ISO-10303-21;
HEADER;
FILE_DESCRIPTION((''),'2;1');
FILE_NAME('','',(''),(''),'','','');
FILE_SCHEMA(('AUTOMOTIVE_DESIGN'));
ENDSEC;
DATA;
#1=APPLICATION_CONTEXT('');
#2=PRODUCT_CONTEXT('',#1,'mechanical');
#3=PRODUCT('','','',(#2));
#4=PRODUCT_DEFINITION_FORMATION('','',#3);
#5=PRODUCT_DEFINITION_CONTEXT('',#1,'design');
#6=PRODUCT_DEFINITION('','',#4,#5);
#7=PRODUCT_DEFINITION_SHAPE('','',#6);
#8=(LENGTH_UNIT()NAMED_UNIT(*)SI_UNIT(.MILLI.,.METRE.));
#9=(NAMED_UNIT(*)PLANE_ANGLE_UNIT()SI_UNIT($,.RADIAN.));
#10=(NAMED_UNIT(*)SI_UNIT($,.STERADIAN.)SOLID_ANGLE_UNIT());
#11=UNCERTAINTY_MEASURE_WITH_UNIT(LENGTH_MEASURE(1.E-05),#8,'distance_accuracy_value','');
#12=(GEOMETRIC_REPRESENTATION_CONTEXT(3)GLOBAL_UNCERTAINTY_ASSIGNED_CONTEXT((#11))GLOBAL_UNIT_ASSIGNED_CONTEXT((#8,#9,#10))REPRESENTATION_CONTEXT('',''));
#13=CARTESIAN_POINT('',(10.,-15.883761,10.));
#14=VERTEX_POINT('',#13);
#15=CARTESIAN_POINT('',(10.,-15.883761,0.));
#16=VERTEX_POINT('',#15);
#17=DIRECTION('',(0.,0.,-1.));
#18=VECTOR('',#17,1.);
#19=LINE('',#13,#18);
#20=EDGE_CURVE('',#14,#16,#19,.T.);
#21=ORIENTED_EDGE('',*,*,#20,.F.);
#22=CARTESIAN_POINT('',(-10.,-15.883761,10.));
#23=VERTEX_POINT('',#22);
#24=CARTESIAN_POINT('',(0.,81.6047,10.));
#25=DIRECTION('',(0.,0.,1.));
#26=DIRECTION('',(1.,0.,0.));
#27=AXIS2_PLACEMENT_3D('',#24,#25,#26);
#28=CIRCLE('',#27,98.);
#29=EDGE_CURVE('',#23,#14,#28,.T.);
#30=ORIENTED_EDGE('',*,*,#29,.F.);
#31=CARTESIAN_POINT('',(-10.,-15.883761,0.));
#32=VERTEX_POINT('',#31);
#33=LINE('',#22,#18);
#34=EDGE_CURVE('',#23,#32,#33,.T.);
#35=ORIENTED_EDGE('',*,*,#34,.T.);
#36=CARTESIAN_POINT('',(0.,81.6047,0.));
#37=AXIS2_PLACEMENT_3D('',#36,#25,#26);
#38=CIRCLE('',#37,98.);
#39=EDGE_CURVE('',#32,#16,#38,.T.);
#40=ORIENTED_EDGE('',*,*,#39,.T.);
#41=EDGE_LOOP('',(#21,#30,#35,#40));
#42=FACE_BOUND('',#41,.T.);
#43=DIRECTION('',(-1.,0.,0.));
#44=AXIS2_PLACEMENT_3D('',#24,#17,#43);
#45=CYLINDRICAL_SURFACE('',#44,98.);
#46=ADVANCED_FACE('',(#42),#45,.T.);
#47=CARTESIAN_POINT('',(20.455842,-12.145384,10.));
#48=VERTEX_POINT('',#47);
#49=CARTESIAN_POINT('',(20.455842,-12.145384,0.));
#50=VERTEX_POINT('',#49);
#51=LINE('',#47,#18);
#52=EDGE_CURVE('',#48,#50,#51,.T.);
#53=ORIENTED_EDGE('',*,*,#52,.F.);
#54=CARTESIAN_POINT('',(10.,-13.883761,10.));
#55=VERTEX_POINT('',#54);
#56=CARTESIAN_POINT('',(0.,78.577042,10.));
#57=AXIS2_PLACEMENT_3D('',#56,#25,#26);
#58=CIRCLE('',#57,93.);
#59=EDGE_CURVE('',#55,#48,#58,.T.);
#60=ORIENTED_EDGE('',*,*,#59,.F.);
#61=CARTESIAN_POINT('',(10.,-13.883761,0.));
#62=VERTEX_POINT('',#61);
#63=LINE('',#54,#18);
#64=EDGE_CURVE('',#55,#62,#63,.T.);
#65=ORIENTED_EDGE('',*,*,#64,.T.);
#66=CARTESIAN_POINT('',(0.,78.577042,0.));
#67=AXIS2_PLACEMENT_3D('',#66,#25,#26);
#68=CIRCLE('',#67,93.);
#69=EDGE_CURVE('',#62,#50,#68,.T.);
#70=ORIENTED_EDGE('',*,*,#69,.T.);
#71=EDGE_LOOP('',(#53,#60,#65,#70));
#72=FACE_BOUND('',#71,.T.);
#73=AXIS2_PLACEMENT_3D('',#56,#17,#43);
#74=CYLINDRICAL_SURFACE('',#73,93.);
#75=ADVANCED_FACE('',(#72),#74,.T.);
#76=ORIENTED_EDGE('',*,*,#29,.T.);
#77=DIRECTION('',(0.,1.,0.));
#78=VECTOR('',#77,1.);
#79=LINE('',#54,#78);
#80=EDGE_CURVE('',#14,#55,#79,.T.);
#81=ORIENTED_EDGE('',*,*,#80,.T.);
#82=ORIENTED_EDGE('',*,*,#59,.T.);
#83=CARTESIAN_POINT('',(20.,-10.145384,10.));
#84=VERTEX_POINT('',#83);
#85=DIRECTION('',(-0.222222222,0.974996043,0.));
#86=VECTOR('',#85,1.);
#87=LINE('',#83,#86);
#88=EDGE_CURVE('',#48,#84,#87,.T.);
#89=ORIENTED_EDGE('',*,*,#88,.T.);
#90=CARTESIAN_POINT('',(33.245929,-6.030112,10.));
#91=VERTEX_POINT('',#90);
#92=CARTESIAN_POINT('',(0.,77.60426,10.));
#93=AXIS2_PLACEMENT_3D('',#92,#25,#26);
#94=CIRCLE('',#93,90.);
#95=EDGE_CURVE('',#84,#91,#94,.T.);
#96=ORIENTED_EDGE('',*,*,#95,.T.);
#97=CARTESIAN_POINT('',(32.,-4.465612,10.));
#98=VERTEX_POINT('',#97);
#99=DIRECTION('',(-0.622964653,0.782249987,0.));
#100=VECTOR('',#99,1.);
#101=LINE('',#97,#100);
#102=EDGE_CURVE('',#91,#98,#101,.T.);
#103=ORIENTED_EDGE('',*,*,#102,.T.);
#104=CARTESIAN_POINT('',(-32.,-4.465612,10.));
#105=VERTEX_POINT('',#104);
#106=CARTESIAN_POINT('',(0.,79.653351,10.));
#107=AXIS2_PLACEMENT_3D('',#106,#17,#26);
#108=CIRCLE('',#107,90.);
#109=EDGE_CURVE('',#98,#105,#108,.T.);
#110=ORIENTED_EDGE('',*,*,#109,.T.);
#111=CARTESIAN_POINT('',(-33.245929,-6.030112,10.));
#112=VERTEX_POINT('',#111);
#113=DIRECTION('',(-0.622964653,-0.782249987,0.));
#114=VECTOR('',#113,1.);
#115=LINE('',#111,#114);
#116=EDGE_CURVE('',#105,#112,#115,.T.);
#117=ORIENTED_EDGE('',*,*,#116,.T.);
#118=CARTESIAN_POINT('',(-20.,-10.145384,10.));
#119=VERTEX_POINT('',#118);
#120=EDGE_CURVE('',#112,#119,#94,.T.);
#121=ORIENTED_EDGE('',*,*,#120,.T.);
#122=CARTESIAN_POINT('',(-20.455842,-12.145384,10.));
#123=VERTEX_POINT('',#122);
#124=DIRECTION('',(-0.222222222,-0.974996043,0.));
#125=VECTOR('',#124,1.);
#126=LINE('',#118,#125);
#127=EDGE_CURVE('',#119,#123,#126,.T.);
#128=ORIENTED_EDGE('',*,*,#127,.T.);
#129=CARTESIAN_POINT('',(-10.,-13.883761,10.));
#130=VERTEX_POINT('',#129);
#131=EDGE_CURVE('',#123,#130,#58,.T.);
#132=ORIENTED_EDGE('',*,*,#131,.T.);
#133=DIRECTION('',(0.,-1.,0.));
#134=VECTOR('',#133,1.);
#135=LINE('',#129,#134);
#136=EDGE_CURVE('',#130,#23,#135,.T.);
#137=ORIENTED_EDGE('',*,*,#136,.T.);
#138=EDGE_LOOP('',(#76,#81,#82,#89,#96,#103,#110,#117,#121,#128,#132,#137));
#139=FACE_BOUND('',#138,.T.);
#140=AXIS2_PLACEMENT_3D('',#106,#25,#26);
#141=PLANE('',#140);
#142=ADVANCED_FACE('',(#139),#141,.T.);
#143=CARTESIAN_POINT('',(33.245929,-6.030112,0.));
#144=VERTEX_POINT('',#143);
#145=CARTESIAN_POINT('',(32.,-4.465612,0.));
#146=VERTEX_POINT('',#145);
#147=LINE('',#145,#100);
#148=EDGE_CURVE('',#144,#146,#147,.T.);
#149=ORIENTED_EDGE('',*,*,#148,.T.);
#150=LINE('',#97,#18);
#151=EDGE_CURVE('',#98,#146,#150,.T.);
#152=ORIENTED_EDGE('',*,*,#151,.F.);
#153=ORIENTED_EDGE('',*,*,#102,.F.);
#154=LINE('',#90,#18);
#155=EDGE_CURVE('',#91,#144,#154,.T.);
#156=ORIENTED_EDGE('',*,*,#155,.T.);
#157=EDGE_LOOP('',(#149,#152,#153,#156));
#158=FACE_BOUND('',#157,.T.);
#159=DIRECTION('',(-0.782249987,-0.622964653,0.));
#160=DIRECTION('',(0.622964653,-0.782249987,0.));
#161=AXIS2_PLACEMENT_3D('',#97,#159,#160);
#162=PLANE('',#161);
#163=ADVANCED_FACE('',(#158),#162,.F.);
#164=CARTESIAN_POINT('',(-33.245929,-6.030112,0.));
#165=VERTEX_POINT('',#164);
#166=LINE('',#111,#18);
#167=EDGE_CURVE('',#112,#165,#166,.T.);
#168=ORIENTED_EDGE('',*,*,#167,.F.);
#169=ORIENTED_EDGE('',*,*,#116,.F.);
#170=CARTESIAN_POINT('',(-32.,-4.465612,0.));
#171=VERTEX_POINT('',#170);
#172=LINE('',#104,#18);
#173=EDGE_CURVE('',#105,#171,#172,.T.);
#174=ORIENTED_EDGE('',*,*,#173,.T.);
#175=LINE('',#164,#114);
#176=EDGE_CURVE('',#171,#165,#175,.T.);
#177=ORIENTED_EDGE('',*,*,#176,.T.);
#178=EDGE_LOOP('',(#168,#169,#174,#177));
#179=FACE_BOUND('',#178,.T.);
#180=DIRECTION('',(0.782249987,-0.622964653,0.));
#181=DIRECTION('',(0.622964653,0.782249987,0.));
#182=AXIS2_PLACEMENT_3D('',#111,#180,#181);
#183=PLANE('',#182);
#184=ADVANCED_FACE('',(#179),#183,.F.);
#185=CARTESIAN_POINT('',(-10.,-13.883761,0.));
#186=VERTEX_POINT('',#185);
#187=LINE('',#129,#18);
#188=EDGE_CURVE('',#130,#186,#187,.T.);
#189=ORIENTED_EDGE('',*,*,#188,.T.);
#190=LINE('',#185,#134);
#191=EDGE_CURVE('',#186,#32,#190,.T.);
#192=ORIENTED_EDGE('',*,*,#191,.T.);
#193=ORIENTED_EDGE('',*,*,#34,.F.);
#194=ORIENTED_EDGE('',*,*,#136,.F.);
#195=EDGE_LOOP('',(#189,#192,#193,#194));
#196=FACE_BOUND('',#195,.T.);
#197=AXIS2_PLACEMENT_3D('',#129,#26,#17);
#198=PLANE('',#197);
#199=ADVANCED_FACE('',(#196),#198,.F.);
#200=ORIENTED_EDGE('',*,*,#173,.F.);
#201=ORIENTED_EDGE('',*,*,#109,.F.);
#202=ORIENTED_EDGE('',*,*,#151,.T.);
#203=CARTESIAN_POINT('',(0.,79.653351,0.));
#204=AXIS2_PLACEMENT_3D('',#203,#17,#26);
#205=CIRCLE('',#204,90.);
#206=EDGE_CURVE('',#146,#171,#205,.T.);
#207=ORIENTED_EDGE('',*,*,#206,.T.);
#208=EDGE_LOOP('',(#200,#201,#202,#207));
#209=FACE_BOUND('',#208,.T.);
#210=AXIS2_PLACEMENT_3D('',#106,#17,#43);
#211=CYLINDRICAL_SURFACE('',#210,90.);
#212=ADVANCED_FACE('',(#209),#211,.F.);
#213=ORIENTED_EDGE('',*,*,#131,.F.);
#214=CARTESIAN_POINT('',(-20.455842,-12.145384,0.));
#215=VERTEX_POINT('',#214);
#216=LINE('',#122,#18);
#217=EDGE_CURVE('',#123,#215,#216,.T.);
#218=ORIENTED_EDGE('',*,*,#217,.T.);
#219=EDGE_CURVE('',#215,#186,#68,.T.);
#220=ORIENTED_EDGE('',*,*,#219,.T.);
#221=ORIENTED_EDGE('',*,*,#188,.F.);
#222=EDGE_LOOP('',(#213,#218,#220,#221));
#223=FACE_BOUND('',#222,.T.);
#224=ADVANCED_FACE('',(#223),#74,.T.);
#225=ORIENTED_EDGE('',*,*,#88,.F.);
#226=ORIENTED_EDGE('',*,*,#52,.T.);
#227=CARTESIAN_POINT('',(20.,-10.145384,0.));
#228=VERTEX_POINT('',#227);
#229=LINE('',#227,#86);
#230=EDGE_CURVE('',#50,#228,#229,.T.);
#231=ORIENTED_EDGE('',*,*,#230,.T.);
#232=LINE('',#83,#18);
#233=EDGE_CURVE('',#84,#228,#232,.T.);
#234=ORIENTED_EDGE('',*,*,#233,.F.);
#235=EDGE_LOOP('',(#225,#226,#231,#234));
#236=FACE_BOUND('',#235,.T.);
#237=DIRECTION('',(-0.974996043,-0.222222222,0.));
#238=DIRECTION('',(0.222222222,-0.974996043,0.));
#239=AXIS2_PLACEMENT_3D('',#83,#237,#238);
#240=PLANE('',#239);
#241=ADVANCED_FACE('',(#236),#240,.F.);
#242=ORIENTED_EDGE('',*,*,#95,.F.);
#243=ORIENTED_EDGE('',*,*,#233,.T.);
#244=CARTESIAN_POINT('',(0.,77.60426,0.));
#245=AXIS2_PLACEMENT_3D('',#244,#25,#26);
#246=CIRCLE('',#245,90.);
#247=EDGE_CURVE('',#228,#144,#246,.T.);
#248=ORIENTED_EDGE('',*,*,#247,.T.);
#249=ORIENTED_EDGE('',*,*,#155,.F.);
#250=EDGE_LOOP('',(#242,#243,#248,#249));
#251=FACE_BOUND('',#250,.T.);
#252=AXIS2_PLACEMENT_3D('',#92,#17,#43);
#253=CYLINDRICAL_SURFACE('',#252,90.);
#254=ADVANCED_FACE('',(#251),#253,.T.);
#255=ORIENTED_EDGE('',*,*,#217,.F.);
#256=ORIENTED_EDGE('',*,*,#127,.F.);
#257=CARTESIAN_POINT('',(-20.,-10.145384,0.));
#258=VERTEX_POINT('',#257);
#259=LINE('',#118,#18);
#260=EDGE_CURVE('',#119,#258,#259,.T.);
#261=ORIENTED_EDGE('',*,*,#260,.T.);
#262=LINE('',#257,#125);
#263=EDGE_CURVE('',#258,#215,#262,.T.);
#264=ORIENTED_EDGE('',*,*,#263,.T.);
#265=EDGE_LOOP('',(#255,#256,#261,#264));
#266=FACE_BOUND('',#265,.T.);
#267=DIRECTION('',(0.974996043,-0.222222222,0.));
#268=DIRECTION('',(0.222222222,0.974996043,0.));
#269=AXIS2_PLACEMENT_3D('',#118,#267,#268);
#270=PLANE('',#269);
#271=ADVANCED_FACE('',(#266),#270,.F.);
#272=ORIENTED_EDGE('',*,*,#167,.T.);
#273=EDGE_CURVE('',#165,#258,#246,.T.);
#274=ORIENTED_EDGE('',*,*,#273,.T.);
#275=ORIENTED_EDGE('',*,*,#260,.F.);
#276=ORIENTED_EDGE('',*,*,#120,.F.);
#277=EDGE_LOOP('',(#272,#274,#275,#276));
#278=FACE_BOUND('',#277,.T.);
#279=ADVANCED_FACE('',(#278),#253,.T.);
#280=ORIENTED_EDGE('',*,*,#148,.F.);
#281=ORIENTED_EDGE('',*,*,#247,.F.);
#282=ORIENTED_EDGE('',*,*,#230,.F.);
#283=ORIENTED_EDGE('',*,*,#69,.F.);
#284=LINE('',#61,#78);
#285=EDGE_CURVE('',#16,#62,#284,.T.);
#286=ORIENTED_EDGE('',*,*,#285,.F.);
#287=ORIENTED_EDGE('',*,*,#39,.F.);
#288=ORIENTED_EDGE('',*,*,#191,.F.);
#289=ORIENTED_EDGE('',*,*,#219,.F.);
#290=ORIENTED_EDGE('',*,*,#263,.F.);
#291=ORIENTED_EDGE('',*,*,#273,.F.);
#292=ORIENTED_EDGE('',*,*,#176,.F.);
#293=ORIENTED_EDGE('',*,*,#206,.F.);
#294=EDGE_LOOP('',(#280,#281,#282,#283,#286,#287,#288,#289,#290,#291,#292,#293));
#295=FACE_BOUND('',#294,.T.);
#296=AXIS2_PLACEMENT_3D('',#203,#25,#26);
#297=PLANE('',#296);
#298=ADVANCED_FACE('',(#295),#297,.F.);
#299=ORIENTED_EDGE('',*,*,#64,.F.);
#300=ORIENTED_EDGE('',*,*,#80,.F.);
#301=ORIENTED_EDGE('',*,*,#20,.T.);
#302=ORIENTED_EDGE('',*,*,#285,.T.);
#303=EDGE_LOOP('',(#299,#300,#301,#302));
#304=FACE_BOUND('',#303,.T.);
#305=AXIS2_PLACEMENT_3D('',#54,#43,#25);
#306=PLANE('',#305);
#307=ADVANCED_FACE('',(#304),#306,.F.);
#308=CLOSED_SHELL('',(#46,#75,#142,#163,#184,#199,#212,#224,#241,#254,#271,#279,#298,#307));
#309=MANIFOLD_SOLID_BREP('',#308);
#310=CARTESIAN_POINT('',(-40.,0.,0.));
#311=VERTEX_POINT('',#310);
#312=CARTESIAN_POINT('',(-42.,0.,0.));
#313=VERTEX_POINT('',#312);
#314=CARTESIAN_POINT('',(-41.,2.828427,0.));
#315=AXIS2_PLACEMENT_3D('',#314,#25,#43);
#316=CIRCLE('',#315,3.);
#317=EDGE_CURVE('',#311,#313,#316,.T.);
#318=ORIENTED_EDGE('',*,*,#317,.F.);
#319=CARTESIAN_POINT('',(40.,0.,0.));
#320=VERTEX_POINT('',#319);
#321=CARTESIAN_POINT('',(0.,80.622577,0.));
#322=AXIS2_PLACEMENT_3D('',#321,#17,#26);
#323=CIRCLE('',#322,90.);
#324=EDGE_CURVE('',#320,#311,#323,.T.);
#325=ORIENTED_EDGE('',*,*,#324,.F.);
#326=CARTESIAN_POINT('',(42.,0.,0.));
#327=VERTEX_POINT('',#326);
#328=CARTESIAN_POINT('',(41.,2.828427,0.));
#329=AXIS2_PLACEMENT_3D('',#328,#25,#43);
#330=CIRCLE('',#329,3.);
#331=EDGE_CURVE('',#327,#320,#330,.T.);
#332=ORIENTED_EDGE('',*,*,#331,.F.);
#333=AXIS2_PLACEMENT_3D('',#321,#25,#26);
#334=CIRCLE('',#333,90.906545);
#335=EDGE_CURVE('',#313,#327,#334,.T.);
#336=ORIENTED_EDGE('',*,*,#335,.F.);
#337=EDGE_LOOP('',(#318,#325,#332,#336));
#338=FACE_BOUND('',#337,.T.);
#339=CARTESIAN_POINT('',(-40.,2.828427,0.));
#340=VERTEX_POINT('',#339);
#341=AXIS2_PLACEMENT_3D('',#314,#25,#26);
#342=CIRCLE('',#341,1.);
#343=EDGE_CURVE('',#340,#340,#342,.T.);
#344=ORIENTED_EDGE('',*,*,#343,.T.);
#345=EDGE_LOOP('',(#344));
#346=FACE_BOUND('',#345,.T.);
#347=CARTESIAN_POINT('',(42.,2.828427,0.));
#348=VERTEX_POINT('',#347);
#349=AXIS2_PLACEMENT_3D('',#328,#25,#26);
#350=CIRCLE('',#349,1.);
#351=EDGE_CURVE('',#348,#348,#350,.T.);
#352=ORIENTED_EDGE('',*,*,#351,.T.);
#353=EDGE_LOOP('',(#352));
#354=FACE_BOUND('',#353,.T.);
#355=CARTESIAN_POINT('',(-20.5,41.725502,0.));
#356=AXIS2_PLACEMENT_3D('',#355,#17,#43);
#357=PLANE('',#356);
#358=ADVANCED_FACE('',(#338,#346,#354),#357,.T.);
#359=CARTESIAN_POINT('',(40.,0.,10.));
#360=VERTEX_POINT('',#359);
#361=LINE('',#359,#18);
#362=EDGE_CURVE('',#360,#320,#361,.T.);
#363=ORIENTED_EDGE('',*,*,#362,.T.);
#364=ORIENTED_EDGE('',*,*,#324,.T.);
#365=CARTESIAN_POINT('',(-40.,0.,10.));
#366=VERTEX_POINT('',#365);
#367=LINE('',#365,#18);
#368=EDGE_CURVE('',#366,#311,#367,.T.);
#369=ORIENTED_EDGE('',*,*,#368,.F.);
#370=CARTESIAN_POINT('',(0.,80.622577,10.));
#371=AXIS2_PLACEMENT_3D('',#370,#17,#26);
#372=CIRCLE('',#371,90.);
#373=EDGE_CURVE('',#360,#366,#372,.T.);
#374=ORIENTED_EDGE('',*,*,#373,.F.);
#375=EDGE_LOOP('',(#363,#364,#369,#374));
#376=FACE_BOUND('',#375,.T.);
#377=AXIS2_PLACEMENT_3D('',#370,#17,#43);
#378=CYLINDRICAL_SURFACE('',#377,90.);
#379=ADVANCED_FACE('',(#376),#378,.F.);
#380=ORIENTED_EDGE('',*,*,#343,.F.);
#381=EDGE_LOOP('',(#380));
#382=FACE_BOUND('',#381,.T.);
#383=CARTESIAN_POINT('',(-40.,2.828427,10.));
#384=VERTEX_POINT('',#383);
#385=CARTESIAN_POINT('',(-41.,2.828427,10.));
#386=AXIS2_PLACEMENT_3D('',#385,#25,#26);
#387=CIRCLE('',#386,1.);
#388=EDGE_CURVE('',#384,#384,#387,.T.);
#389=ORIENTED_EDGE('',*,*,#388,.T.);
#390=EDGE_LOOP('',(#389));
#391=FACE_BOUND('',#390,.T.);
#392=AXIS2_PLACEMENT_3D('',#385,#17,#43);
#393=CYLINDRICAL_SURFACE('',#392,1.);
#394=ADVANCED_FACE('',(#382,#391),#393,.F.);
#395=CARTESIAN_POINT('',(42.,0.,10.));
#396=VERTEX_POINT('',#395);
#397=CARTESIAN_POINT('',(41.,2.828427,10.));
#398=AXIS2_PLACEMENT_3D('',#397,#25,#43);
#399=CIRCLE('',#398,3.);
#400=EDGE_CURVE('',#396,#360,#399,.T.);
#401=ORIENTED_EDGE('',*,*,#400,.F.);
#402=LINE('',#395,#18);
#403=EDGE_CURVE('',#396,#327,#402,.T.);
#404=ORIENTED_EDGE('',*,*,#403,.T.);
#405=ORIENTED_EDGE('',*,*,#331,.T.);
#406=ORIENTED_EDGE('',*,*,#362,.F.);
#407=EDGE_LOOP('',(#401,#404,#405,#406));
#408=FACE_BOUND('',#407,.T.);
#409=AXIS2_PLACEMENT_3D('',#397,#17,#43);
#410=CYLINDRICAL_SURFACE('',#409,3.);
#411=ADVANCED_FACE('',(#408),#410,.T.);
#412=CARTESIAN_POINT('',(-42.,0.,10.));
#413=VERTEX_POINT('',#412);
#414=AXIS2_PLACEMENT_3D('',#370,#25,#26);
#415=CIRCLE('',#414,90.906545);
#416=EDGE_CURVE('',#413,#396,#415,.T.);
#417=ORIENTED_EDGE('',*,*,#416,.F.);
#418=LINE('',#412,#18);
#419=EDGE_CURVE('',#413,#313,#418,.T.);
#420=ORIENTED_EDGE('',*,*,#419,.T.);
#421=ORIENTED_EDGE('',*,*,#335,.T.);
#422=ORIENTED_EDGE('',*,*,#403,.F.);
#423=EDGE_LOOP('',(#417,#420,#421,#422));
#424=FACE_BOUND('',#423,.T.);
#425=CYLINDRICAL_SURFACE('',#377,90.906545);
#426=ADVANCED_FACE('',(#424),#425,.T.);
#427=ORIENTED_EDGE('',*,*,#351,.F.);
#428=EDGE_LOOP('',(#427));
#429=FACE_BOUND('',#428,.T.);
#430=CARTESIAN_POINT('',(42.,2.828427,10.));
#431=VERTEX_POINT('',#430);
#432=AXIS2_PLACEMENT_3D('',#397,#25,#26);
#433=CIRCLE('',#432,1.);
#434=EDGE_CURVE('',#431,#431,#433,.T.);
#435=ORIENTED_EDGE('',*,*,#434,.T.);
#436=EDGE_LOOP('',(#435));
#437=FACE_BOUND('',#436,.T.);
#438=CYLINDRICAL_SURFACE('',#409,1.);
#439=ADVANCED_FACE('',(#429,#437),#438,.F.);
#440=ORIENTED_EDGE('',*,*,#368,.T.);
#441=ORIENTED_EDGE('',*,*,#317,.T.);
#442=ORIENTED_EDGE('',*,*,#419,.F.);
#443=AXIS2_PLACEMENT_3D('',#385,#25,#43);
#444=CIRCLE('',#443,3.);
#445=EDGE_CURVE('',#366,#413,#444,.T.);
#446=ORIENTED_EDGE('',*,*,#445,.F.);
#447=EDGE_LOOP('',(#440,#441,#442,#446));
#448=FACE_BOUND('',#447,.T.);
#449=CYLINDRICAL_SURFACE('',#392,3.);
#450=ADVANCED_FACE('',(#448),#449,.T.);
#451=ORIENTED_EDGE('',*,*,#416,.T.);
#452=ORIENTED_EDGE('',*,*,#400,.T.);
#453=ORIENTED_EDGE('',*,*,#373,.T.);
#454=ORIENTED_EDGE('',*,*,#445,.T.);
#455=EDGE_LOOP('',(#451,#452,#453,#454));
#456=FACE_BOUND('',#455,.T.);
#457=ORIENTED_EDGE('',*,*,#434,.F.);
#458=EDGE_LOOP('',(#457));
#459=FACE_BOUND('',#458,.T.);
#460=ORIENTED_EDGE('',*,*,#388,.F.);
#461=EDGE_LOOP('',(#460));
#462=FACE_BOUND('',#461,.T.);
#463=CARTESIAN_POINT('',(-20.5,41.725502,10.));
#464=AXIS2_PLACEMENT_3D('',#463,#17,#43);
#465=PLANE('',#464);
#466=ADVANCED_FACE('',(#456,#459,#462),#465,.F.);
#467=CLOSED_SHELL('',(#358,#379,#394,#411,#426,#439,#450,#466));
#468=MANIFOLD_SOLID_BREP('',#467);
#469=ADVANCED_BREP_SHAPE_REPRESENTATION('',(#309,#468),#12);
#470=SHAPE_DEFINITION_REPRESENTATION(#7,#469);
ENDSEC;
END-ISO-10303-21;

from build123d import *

# Parameters (mm, degrees)
SKETCH1_R            = 1
BOSS_EXTRUDE1_DEPTH  = 10
BOSS_EXTRUDE3_DEPTH  = 10
BOSS_EXTRUDE5_DEPTH  = 10
BOSS_EXTRUDE12_DEPTH = 10


with BuildPart() as part:
    # Sketch1 → Boss-Extrude1 (new body)
    with BuildSketch(Plane.XY):
        with BuildLine():
            ThreePointArc((-40, 0), (0, -9.377422517), (40, 0))
            ThreePointArc((40, 0), (41, 5.828427125), (42, 0))
            ThreePointArc((42, 0), (0, -10.283967936), (-42, 0))
            ThreePointArc((-42, 0), (-41, 5.828427125), (-40, 0))
        make_face()
        with Locations((-41, 2.828427125)):
            Circle(SKETCH1_R, mode=Mode.SUBTRACT)
        with Locations((41, 2.828427125)):
            Circle(SKETCH1_R, mode=Mode.SUBTRACT)
    extrude(amount=BOSS_EXTRUDE1_DEPTH)


with BuildPart() as body_2:
    # Sketch2 → Boss-Extrude3 (new body)
    with BuildSketch(Plane.XY):
        with BuildLine():
            Line((-33.245929305, -6.030112035), (-32, -4.465612062))
            ThreePointArc((-32, -4.465612062), (0, -10.346648682), (32, -4.465612062))
            Line((32, -4.465612062), (33.245929305, -6.030112035))
            ThreePointArc((33.245929305, -6.030112035), (0, -12.395740006), (-33.245929305, -6.030112035))
        make_face()
    extrude(amount=BOSS_EXTRUDE3_DEPTH)

    # Sketch3 → Boss-Extrude5 (add)
    with BuildSketch(Plane.XY):
        with BuildLine():
            Line((-20, -10.14538388), (-20.455842306, -12.14538388))
            ThreePointArc((-20.455842306, -12.14538388), (0, -14.422958232), (20.455842306, -12.14538388))
            Line((20.455842306, -12.14538388), (20, -10.14538388))
            ThreePointArc((20, -10.14538388), (0, -12.395740006), (-20, -10.14538388))
        make_face()
    extrude(amount=BOSS_EXTRUDE5_DEPTH)

    # Sketch4 → Boss-Extrude12 (add, through all)
    with BuildSketch(Plane.XY):
        with BuildLine():
            Line((-10, -13.883760737), (-10, -15.883760737))
            ThreePointArc((-10, -15.883760737), (0, -16.395299882), (10, -15.883760737))
            Line((10, -15.883760737), (10, -13.883760737))
            ThreePointArc((10, -13.883760737), (0, -14.422958232), (-10, -13.883760737))
        make_face()
    extrude(amount=BOSS_EXTRUDE12_DEPTH)


solid = Compound([part.part, body_2.part])
